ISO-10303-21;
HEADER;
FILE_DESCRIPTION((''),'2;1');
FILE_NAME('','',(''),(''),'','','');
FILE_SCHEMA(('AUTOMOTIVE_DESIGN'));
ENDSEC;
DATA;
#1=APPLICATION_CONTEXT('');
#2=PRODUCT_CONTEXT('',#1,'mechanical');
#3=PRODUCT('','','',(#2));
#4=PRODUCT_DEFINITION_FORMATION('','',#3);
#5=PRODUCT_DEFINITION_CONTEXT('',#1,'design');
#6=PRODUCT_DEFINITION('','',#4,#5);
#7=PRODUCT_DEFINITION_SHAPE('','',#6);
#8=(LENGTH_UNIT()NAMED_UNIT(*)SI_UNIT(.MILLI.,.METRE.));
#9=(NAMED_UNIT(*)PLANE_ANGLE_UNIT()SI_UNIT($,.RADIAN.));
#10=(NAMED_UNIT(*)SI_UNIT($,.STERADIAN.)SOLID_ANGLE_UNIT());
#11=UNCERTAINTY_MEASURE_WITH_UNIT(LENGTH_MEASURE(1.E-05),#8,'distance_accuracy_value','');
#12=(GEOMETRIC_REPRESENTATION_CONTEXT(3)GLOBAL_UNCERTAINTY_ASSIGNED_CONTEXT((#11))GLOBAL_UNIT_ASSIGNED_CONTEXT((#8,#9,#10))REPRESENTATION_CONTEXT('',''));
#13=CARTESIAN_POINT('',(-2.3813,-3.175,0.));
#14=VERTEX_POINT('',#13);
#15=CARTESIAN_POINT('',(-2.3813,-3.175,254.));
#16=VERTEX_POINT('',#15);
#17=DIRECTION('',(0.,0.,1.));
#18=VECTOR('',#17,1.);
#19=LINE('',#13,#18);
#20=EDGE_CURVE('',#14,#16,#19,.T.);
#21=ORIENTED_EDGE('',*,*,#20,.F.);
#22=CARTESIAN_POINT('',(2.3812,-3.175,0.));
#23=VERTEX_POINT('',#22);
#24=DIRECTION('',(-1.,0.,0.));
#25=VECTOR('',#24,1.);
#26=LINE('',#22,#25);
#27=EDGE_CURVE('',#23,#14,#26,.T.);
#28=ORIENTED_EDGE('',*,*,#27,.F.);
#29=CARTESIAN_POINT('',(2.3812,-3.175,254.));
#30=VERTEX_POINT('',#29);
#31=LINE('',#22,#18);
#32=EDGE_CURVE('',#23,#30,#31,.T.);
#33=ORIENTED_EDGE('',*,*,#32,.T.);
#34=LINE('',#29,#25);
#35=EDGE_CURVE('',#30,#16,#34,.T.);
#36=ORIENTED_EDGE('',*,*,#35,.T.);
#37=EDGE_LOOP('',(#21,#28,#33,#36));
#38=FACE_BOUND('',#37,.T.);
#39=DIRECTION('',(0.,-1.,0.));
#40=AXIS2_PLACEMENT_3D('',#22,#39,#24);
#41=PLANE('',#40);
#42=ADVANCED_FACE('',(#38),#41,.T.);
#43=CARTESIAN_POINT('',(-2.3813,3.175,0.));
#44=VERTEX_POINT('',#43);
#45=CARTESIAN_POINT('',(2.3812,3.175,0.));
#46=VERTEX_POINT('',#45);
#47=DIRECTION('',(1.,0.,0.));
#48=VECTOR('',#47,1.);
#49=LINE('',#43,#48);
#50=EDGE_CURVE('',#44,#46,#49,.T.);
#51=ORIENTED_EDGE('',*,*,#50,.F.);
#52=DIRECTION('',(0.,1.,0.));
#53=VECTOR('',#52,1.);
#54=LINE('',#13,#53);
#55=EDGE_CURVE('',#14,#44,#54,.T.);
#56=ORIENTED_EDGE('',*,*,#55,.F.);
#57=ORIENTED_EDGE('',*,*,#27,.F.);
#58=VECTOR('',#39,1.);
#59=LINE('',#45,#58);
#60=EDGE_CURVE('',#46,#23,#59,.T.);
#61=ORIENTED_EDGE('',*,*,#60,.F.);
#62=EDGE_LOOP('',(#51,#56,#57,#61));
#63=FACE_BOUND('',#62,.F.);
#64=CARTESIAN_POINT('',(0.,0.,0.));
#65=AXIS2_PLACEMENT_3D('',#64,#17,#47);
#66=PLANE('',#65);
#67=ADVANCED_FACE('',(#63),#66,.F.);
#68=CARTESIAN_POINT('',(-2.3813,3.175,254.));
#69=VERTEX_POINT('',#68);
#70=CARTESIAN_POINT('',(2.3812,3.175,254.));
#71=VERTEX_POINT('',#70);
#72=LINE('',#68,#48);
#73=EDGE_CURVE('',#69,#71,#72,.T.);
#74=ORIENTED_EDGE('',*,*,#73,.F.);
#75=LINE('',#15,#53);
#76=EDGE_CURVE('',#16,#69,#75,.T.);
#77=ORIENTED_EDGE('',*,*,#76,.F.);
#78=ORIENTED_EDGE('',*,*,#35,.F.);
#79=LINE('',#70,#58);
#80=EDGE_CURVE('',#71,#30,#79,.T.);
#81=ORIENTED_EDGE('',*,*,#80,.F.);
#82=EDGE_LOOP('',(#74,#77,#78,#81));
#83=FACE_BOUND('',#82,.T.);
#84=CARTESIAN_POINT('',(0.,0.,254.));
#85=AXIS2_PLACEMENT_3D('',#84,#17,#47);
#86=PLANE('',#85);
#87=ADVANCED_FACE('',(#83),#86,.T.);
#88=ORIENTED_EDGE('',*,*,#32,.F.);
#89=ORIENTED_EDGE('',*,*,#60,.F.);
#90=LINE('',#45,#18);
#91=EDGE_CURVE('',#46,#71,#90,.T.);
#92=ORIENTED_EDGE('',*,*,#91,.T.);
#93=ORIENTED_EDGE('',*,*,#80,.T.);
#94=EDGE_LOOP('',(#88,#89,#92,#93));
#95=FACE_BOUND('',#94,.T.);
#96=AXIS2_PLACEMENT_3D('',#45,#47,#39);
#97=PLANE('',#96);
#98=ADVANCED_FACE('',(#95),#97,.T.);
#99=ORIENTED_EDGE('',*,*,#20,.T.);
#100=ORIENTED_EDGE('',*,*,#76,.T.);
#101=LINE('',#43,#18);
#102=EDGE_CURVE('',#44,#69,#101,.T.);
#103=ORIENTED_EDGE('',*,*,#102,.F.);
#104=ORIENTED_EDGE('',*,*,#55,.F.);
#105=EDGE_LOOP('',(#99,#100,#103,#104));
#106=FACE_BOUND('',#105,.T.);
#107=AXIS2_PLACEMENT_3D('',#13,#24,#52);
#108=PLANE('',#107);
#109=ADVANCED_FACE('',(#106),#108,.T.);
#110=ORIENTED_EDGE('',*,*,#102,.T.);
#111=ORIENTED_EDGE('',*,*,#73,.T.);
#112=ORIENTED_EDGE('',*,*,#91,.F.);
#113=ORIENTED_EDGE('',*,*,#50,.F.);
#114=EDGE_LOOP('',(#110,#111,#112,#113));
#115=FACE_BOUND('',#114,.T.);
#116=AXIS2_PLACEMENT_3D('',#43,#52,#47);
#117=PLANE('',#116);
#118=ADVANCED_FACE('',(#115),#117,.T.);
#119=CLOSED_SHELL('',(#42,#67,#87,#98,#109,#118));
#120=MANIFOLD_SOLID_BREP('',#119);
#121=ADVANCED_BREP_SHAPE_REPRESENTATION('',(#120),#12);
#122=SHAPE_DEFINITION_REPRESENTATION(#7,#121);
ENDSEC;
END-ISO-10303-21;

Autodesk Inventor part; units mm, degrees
ref_plane "YZ Plane" through (0, 0, 0) normal (1, 0, 0) x (0, 1, 0)
ref_plane "Plano inicial" through (0, 0, 0) normal (0, 0, 1) x (1, 0, 0)
ref_plane "Plano final" through (0, 0, 254) normal (0, 0, 1) x (1, 0, 0)
sketch "Boceto" plane through (0, 0, 0) normal (0, 0, 1) x (1, 0, 0)
  line L0 (2.3812, -3.175) -> (-2.3813, -3.175)
  line L1 (-2.3813, -3.175) -> (-2.3813, 3.175)
  line L2 (-2.3813, 3.175) -> (2.3812, 3.175)
  line L3 (2.3812, 3.175) -> (2.3812, -3.175)
  line L4 (-6, 0) -> (8, 0) construction
  line L5 (0, -30) -> (0, 40) construction
  line L6 (0, 54) -> (0, -44) construction
  line L7 (-9.2, 0) -> (13.2, 0) construction
  dimension "d0" = 6.35
  dimension "d1" = 4.7625
  dimension "d4" = 2.3813
  dimension "d5" = 3.175
extrude "Cuerpo" add sketch "Boceto" along normal up to surface (254 mm away) from surface at 0
sketch "Sketch3" plane through (0, 0, 0) normal (0, 0, 1) x (1, 0, 0)
  line L0 (0, 0) -> (10, 0)
ref_plane "Work Plane3" through (0, 0, 0) normal (0, -1, 0) x (1, 0, 0)
sketch "Sketch4" plane through (0, 0, 0) normal (0, -1, 0) x (1, 0, 0)
  line L0 (-2, 0) -> (12, 0)
  line L1 (-2, 254) -> (12, 254)
  dimension "d9" = 254
equation "\"d0\" = G_W"
equation "\"d1\" = G_H"
equation "\"d4\" = 0.5 * d1"
equation "\"d5\" = 0.5 * d0"
equation "\"d2\" = G_L"
equation "\"G_W\" = 6.35"
equation "\"G_H\" = 4.7625"
equation "\"G_L\" = d9"
equation "\"G_OFFSET_START\" = 0"
equation "\"G_OFFSET_END\" = 0"
equation "\"d7\" = G_OFFSET_END + B_L"
equation "\"B_L\" = 254"
properties part number "AISC - 1/4x3/16 - 10" material "Acero, suave"
